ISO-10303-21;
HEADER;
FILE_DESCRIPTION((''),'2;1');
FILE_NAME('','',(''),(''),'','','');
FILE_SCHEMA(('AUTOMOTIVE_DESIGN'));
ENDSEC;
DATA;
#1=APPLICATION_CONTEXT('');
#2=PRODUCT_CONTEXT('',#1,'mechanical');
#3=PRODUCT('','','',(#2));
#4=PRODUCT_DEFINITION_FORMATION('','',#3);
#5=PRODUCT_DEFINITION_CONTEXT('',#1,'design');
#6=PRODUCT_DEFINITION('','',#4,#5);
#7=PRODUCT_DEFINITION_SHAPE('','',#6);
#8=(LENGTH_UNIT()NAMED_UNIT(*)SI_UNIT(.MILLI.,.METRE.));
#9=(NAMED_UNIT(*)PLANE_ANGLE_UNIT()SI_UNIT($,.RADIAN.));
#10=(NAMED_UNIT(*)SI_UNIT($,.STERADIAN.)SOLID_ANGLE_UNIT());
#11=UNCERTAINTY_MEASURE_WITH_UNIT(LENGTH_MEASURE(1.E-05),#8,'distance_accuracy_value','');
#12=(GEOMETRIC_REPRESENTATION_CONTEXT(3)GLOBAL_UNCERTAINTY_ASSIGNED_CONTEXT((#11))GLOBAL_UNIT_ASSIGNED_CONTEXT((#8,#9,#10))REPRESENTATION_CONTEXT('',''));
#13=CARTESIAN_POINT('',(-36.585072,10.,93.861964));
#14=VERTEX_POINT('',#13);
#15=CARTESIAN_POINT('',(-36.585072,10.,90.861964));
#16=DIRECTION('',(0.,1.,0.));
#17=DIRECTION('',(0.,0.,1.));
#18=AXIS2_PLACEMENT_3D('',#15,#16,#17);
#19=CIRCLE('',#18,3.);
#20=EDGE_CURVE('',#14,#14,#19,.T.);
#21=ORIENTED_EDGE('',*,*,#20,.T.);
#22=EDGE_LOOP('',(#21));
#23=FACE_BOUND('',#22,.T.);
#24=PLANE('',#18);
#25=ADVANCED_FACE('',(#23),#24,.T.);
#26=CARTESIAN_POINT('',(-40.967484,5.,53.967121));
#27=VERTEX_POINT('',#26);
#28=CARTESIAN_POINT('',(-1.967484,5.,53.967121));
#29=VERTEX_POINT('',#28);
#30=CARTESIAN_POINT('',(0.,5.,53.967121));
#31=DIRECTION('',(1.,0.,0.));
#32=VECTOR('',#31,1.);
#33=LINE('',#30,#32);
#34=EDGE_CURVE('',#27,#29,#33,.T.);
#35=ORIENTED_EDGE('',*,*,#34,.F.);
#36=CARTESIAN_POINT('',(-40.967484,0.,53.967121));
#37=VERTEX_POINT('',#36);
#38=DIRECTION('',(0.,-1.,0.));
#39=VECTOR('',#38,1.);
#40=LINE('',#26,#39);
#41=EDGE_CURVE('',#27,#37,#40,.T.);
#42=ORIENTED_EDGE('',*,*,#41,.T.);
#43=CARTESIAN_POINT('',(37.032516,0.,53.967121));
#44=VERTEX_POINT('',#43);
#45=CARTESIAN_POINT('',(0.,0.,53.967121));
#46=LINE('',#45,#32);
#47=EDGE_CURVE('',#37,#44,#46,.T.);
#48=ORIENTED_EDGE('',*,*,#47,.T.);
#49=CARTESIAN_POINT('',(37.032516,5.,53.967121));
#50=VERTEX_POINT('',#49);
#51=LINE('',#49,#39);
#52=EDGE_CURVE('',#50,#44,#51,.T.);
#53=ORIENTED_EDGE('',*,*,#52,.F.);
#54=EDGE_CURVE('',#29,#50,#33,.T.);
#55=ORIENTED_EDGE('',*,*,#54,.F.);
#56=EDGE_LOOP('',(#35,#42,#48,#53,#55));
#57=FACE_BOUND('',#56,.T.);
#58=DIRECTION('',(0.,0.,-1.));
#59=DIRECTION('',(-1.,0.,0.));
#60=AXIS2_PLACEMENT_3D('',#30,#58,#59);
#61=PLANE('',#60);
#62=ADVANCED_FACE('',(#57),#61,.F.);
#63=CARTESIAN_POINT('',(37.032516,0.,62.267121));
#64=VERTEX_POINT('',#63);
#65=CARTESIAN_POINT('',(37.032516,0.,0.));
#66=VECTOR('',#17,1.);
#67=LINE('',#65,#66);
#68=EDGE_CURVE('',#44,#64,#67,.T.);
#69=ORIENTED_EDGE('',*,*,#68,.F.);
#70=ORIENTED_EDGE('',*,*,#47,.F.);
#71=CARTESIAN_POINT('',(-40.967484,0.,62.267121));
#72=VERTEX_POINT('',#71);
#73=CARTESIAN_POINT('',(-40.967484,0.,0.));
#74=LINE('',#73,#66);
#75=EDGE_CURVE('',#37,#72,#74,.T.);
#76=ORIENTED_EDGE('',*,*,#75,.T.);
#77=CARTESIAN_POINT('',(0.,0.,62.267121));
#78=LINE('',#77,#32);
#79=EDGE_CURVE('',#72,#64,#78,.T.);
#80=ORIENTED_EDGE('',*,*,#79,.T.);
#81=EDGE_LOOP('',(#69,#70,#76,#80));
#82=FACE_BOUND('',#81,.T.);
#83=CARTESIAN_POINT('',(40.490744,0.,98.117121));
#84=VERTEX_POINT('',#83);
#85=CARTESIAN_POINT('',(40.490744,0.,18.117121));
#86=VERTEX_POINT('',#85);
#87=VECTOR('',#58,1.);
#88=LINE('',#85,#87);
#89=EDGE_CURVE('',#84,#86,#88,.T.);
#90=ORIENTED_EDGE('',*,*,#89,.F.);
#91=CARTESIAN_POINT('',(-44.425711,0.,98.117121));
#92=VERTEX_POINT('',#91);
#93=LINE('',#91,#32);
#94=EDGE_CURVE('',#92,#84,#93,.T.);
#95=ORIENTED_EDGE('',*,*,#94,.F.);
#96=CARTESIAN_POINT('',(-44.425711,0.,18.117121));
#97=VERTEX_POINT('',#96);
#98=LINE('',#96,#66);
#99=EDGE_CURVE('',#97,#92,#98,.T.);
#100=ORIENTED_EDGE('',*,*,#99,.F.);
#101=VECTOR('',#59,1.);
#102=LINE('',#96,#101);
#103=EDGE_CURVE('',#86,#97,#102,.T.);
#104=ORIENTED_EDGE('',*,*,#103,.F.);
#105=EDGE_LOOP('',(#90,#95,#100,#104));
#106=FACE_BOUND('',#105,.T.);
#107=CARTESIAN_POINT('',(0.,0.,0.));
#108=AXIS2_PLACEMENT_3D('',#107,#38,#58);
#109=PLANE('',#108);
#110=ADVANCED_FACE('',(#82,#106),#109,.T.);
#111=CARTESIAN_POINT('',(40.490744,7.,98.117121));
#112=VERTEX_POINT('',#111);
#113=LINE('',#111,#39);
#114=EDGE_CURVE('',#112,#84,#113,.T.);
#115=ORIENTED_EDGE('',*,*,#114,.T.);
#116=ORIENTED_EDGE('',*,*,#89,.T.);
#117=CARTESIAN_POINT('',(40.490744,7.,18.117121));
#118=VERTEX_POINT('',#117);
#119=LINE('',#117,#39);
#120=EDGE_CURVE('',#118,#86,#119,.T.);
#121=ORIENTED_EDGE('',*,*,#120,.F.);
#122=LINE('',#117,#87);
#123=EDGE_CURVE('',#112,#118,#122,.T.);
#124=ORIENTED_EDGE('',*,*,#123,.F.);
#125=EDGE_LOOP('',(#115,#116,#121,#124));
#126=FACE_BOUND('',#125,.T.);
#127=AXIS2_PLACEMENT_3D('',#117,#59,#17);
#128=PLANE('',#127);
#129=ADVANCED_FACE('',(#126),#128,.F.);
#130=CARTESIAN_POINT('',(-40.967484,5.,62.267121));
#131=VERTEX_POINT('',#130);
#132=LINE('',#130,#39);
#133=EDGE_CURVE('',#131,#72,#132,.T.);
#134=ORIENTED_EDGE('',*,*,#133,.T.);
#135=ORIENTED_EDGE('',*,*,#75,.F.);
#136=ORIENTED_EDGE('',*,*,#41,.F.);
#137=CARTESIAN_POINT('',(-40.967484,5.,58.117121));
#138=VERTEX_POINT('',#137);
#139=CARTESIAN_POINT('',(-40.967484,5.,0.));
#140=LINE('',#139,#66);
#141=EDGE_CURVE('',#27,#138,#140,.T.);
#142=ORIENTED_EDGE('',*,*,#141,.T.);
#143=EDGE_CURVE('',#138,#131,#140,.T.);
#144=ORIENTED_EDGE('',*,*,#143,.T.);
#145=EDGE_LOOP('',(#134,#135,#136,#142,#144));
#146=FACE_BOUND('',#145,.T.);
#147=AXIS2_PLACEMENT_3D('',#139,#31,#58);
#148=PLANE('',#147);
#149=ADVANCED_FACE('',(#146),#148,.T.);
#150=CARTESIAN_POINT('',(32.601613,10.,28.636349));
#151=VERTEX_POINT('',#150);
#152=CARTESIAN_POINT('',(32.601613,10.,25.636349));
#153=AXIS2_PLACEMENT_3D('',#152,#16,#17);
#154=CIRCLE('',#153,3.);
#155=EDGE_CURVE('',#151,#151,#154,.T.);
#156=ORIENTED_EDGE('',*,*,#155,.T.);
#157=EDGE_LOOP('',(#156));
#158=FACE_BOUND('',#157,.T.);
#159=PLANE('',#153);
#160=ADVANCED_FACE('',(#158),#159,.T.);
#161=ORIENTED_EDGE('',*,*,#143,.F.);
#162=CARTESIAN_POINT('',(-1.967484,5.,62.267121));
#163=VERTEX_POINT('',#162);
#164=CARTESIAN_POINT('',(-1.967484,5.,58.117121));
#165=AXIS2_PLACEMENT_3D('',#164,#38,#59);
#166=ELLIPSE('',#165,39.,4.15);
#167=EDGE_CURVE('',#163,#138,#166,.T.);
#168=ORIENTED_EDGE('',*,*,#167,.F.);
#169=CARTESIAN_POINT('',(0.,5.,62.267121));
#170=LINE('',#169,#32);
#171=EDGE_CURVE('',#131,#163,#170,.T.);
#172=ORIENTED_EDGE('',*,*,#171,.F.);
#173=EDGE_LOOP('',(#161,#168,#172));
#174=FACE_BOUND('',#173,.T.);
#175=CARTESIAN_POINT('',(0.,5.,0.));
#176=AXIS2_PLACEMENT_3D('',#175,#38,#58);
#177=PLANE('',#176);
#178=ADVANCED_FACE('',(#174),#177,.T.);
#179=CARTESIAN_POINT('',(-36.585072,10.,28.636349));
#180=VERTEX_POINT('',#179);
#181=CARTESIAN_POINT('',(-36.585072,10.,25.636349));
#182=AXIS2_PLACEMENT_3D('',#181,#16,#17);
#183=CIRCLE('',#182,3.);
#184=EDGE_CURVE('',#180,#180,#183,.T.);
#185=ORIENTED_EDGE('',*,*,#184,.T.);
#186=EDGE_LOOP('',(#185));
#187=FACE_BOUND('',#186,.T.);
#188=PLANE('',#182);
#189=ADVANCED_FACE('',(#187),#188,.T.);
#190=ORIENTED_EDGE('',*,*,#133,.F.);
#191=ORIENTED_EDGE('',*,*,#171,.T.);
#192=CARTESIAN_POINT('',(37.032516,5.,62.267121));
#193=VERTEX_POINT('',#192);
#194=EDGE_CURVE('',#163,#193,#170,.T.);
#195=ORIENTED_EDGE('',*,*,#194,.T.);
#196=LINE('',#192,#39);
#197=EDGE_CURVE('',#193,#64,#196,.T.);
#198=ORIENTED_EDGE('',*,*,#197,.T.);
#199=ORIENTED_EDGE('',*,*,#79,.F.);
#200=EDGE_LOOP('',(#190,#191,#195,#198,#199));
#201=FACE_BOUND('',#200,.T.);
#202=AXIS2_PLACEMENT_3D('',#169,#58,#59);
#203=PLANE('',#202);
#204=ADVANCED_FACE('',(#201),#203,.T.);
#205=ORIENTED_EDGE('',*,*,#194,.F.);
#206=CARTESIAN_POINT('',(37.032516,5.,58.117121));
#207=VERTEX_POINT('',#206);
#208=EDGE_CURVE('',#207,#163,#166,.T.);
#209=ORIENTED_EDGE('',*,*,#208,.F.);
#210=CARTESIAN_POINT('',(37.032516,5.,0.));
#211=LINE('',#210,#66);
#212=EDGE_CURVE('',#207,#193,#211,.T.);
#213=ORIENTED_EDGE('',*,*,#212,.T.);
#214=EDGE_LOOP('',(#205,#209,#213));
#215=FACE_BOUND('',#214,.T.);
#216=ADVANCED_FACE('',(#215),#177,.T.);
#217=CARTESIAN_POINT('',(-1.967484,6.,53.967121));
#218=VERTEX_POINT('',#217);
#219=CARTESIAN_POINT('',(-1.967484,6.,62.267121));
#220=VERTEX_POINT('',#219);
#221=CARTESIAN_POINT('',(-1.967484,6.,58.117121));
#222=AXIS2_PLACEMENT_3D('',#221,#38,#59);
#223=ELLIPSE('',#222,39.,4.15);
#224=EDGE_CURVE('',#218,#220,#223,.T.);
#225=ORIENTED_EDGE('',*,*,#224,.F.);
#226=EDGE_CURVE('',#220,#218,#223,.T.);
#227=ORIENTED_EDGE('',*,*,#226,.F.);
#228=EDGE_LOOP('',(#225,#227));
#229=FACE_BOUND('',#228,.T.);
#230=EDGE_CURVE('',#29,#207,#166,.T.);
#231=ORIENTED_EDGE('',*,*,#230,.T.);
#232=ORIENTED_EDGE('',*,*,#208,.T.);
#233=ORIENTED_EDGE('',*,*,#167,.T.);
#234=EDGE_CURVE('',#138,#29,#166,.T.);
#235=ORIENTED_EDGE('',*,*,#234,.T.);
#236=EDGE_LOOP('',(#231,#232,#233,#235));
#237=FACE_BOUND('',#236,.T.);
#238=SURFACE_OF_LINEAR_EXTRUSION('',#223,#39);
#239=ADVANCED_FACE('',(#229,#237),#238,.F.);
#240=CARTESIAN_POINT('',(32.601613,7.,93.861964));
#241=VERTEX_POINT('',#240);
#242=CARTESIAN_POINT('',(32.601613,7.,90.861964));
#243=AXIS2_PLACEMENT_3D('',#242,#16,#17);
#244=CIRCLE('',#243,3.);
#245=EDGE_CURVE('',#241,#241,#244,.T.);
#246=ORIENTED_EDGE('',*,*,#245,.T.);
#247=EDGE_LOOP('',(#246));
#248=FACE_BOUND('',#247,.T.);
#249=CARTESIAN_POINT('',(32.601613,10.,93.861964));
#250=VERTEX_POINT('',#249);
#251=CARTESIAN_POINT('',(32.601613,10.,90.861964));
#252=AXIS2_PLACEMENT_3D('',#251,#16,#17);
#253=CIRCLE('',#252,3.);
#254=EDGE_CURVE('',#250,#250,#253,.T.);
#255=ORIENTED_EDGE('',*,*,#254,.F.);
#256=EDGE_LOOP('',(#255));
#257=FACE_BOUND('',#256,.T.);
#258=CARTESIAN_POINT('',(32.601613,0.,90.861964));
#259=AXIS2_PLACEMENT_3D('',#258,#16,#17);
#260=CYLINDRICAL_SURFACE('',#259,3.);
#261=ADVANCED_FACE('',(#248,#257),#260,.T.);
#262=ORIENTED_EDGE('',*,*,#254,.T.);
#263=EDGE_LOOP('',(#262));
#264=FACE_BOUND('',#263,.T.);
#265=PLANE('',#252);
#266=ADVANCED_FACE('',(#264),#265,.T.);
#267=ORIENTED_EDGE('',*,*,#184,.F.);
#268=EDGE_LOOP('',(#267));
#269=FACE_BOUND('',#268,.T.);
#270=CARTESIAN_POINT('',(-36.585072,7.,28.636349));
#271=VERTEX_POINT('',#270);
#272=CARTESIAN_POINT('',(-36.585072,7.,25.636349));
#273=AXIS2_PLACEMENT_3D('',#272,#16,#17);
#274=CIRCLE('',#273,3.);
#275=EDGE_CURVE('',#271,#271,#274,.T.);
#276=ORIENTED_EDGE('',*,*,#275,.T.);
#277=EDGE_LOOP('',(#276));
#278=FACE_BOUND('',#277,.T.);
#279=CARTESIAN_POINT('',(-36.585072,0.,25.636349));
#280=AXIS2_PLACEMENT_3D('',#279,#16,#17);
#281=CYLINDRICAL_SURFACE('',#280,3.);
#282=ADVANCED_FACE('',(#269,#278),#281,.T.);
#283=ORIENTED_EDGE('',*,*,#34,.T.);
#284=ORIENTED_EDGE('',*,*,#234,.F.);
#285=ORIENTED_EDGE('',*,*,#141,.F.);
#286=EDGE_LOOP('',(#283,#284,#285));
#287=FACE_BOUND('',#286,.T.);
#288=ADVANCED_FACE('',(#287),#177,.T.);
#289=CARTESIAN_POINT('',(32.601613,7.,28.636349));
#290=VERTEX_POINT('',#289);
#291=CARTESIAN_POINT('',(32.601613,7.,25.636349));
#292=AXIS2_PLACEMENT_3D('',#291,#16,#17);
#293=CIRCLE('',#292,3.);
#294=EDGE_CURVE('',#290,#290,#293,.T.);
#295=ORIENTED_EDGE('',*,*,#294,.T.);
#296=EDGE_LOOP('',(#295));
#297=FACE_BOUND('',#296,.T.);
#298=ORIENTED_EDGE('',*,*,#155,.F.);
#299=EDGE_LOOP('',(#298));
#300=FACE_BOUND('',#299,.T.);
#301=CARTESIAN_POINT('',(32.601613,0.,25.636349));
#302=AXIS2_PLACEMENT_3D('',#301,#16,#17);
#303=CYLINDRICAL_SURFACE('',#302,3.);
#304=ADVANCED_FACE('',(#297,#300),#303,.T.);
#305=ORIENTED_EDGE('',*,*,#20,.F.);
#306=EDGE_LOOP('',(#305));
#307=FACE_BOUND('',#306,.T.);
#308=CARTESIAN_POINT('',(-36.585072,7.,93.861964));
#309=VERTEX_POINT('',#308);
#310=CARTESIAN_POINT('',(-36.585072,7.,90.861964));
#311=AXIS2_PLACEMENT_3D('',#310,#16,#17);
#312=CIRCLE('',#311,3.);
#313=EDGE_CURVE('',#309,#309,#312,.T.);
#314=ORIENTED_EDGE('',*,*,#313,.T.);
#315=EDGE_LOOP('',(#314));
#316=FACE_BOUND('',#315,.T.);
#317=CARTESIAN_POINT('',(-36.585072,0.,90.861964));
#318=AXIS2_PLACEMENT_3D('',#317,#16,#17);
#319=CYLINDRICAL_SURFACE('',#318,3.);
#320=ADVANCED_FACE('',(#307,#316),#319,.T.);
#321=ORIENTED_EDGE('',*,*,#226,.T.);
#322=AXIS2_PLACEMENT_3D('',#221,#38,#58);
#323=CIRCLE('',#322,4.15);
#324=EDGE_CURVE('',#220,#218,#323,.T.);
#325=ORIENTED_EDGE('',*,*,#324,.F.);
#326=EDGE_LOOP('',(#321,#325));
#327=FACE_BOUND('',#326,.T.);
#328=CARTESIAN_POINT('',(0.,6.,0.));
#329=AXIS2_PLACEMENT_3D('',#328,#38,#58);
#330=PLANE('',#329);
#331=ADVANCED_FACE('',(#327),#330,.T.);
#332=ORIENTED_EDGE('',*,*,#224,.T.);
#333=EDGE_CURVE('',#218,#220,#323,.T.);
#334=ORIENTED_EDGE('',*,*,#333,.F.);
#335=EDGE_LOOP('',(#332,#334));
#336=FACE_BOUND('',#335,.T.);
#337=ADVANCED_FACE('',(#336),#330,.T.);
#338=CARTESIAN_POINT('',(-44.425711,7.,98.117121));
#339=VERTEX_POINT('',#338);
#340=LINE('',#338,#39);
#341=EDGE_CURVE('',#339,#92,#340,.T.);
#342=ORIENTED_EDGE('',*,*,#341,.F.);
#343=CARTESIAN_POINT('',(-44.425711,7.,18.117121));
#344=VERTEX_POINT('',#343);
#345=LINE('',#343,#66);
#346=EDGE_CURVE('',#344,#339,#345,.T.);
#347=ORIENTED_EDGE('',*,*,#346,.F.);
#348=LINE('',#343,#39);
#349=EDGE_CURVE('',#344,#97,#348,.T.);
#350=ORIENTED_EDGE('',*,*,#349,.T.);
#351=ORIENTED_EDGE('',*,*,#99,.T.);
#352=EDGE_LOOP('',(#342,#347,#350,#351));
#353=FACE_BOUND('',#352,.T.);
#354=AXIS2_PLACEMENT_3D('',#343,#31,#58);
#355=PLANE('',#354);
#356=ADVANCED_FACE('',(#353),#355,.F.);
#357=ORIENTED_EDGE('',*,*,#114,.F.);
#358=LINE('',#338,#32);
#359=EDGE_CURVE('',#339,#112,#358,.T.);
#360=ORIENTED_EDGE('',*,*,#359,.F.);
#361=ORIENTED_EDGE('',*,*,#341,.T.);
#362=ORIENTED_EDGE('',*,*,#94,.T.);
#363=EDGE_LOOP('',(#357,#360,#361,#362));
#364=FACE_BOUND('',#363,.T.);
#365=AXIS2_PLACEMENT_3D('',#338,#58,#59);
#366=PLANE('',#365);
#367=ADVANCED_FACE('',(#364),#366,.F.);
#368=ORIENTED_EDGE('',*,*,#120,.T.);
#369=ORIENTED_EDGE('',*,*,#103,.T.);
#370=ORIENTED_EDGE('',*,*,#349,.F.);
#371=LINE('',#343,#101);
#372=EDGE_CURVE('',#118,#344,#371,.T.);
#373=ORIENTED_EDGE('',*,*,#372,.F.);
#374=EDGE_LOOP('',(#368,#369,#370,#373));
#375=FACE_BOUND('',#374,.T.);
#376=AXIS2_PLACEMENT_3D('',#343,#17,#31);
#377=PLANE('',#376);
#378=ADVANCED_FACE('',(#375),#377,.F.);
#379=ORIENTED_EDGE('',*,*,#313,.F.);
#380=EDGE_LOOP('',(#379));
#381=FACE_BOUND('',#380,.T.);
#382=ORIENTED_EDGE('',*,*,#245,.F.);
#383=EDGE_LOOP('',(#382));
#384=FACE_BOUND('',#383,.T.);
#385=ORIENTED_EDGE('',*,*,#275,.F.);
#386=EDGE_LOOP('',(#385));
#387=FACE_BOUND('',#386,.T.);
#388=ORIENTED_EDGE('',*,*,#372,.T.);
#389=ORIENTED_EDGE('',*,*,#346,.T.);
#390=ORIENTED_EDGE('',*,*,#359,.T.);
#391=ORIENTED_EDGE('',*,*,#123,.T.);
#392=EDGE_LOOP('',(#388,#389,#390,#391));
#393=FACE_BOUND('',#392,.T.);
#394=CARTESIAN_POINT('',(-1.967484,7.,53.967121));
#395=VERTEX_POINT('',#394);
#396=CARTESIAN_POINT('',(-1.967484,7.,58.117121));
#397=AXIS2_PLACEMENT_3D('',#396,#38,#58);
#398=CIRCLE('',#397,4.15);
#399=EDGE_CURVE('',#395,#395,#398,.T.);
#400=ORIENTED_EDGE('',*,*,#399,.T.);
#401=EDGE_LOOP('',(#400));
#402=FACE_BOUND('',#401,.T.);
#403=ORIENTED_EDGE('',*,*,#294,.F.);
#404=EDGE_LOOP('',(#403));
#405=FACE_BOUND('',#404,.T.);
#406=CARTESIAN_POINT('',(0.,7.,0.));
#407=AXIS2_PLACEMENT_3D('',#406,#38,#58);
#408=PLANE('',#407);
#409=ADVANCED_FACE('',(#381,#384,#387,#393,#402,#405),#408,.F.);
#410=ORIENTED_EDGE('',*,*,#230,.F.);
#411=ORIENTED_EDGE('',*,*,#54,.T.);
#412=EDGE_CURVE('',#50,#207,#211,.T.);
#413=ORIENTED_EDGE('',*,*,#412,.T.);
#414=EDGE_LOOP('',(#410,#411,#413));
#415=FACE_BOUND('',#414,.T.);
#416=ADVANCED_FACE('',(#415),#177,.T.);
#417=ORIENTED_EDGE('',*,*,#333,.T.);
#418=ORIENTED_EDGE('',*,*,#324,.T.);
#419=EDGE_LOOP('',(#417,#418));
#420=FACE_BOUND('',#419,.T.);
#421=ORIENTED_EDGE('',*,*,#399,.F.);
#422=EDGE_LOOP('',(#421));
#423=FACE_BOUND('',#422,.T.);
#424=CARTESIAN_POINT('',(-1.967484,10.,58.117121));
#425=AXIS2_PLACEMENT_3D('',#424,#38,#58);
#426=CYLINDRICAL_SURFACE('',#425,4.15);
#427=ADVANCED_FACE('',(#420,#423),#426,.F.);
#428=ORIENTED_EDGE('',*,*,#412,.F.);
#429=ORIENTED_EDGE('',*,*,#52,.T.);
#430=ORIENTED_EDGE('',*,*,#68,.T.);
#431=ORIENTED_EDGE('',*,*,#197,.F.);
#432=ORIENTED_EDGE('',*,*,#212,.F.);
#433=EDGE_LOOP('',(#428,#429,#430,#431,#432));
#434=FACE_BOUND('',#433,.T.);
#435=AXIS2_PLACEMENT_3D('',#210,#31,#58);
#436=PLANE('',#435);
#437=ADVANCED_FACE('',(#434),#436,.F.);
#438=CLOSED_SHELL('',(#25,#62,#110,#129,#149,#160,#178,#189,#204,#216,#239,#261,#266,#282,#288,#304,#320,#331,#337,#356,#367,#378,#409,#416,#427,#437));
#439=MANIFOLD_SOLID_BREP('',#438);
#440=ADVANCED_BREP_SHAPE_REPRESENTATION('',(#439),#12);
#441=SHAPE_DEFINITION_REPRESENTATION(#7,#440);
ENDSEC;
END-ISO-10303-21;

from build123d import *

# Parameters (mm, degrees)
SKETCH_4_W           = 84.916455131
SKETCH_4_H           = 80
SKETCH_4_R           = 3
EXTRUDE_1_DEPTH      = 7
EXTRUDE_2_DEPTH      = 3
EXTRUDE_2_DEPTH_BACK = 7
SKETCH_5_R           = 3
SKETCH_6_W           = 78
SKETCH_6_H           = 4.15
CUT_EXTRUDE_1_DEPTH  = 5
CUT_EXTRUDE_2_DEPTH  = 1
SKETCH_8_R           = 4.15
CUT_EXTRUDE_3_DEPTH  = 108.873135035


with BuildPart() as part:
    # 草图4 → 凸台-拉伸1 (new body)
    with BuildSketch(Plane(origin=(0, 0, 0), x_dir=(1, 0, 0), z_dir=(0, 1, 0))):
        with Locations((-1.967483917, -58.11712094)):
            Rectangle(SKETCH_4_W, SKETCH_4_H)
        with Locations(Location((-36.585071707, -25.636349073, 0), (0, 0, 270))):
            Circle(SKETCH_4_R, mode=Mode.SUBTRACT)
        with Locations(Location((32.601613083, -25.636349073, 0), (0, 0, 270))):
            Circle(SKETCH_4_R, mode=Mode.SUBTRACT)
        with Locations(Location((-36.585071707, -90.861964123, 0), (0, 0, 270))):
            Circle(SKETCH_4_R, mode=Mode.SUBTRACT)
        with Locations(Location((32.601613083, -90.861964123, 0), (0, 0, 270))):
            Circle(SKETCH_4_R, mode=Mode.SUBTRACT)
    extrude(amount=EXTRUDE_1_DEPTH)

    # 草图5 → 凸台-拉伸2 (add, two sides: drawn at the far end of the back side and taken through both)
    with BuildSketch(Plane(origin=(0, 7, 0), x_dir=(1, 0, 0), z_dir=(0, 1, 0)).offset(-EXTRUDE_2_DEPTH_BACK)):
        with Locations(Location((-36.585071707, -25.636349073, 0), (0, 0, 270))):
            Circle(SKETCH_5_R)
        with Locations(Location((32.601613083, -25.636349073, 0), (0, 0, 270))):
            Circle(SKETCH_5_R)
        with Locations(Location((-36.585071707, -90.861964123, 0), (0, 0, 270))):
            Circle(SKETCH_5_R)
        with Locations(Location((32.601613083, -90.861964123, 0), (0, 0, 270))):
            Circle(SKETCH_5_R)
    extrude(amount=EXTRUDE_2_DEPTH + EXTRUDE_2_DEPTH_BACK)

    # 草图6 → 切除-拉伸1 (cut)
    with BuildSketch(Plane.XZ):
        with Locations((-1.967483917, 60.19212094)):
            Rectangle(SKETCH_6_W, SKETCH_6_H)
        with Locations((-1.967483917, 56.04212094)):
            Rectangle(SKETCH_6_W, SKETCH_6_H)
    extrude(amount=-CUT_EXTRUDE_1_DEPTH, mode=Mode.SUBTRACT)

    # 草图7 → 切除-拉伸2 (cut)
    with BuildSketch(Plane.XZ.offset(-5)):
        with BuildLine():
            add(Edge.make_bspline(
                [(37.032516083, 58.11712094), (37.032516083, 62.26712094), (-1.967483917, 62.26712094), (-40.967483917, 62.26712094), (-40.967483917, 58.11712094)],
                knots=[3.141592654, 3.141592654, 3.141592654, 4.71238898, 4.71238898, 6.283185307, 6.283185307, 6.283185307], degree=2, weights=[1, 0.707106781, 1, 0.707106781, 1]))
            Line((-40.967483917, 58.11712094), (37.032516083, 58.11712094))
        make_face()
        with BuildLine():
            Line((37.032516083, 58.11712094), (-40.967483917, 58.11712094))
            add(Edge.make_bspline(
                [(-40.967483917, 58.11712094), (-40.967483917, 53.96712094), (-1.967483917, 53.96712094), (37.032516083, 53.96712094), (37.032516083, 58.11712094)],
                knots=[0, 0, 0, 1.570796327, 1.570796327, 3.141592654, 3.141592654, 3.141592654], degree=2, weights=[1, 0.707106781, 1, 0.707106781, 1]))
        make_face()
    extrude(amount=-CUT_EXTRUDE_2_DEPTH, mode=Mode.SUBTRACT)

    # 草图8 → 切除-拉伸3 (cut, through all)
    with BuildSketch(Plane.XZ.offset(-6)):
        with Locations(Location((-1.967483917, 58.11712094, 0), (0, 0, 270))):
            Circle(SKETCH_8_R)
    extrude(amount=-CUT_EXTRUDE_3_DEPTH, mode=Mode.SUBTRACT)


solid = part.part
